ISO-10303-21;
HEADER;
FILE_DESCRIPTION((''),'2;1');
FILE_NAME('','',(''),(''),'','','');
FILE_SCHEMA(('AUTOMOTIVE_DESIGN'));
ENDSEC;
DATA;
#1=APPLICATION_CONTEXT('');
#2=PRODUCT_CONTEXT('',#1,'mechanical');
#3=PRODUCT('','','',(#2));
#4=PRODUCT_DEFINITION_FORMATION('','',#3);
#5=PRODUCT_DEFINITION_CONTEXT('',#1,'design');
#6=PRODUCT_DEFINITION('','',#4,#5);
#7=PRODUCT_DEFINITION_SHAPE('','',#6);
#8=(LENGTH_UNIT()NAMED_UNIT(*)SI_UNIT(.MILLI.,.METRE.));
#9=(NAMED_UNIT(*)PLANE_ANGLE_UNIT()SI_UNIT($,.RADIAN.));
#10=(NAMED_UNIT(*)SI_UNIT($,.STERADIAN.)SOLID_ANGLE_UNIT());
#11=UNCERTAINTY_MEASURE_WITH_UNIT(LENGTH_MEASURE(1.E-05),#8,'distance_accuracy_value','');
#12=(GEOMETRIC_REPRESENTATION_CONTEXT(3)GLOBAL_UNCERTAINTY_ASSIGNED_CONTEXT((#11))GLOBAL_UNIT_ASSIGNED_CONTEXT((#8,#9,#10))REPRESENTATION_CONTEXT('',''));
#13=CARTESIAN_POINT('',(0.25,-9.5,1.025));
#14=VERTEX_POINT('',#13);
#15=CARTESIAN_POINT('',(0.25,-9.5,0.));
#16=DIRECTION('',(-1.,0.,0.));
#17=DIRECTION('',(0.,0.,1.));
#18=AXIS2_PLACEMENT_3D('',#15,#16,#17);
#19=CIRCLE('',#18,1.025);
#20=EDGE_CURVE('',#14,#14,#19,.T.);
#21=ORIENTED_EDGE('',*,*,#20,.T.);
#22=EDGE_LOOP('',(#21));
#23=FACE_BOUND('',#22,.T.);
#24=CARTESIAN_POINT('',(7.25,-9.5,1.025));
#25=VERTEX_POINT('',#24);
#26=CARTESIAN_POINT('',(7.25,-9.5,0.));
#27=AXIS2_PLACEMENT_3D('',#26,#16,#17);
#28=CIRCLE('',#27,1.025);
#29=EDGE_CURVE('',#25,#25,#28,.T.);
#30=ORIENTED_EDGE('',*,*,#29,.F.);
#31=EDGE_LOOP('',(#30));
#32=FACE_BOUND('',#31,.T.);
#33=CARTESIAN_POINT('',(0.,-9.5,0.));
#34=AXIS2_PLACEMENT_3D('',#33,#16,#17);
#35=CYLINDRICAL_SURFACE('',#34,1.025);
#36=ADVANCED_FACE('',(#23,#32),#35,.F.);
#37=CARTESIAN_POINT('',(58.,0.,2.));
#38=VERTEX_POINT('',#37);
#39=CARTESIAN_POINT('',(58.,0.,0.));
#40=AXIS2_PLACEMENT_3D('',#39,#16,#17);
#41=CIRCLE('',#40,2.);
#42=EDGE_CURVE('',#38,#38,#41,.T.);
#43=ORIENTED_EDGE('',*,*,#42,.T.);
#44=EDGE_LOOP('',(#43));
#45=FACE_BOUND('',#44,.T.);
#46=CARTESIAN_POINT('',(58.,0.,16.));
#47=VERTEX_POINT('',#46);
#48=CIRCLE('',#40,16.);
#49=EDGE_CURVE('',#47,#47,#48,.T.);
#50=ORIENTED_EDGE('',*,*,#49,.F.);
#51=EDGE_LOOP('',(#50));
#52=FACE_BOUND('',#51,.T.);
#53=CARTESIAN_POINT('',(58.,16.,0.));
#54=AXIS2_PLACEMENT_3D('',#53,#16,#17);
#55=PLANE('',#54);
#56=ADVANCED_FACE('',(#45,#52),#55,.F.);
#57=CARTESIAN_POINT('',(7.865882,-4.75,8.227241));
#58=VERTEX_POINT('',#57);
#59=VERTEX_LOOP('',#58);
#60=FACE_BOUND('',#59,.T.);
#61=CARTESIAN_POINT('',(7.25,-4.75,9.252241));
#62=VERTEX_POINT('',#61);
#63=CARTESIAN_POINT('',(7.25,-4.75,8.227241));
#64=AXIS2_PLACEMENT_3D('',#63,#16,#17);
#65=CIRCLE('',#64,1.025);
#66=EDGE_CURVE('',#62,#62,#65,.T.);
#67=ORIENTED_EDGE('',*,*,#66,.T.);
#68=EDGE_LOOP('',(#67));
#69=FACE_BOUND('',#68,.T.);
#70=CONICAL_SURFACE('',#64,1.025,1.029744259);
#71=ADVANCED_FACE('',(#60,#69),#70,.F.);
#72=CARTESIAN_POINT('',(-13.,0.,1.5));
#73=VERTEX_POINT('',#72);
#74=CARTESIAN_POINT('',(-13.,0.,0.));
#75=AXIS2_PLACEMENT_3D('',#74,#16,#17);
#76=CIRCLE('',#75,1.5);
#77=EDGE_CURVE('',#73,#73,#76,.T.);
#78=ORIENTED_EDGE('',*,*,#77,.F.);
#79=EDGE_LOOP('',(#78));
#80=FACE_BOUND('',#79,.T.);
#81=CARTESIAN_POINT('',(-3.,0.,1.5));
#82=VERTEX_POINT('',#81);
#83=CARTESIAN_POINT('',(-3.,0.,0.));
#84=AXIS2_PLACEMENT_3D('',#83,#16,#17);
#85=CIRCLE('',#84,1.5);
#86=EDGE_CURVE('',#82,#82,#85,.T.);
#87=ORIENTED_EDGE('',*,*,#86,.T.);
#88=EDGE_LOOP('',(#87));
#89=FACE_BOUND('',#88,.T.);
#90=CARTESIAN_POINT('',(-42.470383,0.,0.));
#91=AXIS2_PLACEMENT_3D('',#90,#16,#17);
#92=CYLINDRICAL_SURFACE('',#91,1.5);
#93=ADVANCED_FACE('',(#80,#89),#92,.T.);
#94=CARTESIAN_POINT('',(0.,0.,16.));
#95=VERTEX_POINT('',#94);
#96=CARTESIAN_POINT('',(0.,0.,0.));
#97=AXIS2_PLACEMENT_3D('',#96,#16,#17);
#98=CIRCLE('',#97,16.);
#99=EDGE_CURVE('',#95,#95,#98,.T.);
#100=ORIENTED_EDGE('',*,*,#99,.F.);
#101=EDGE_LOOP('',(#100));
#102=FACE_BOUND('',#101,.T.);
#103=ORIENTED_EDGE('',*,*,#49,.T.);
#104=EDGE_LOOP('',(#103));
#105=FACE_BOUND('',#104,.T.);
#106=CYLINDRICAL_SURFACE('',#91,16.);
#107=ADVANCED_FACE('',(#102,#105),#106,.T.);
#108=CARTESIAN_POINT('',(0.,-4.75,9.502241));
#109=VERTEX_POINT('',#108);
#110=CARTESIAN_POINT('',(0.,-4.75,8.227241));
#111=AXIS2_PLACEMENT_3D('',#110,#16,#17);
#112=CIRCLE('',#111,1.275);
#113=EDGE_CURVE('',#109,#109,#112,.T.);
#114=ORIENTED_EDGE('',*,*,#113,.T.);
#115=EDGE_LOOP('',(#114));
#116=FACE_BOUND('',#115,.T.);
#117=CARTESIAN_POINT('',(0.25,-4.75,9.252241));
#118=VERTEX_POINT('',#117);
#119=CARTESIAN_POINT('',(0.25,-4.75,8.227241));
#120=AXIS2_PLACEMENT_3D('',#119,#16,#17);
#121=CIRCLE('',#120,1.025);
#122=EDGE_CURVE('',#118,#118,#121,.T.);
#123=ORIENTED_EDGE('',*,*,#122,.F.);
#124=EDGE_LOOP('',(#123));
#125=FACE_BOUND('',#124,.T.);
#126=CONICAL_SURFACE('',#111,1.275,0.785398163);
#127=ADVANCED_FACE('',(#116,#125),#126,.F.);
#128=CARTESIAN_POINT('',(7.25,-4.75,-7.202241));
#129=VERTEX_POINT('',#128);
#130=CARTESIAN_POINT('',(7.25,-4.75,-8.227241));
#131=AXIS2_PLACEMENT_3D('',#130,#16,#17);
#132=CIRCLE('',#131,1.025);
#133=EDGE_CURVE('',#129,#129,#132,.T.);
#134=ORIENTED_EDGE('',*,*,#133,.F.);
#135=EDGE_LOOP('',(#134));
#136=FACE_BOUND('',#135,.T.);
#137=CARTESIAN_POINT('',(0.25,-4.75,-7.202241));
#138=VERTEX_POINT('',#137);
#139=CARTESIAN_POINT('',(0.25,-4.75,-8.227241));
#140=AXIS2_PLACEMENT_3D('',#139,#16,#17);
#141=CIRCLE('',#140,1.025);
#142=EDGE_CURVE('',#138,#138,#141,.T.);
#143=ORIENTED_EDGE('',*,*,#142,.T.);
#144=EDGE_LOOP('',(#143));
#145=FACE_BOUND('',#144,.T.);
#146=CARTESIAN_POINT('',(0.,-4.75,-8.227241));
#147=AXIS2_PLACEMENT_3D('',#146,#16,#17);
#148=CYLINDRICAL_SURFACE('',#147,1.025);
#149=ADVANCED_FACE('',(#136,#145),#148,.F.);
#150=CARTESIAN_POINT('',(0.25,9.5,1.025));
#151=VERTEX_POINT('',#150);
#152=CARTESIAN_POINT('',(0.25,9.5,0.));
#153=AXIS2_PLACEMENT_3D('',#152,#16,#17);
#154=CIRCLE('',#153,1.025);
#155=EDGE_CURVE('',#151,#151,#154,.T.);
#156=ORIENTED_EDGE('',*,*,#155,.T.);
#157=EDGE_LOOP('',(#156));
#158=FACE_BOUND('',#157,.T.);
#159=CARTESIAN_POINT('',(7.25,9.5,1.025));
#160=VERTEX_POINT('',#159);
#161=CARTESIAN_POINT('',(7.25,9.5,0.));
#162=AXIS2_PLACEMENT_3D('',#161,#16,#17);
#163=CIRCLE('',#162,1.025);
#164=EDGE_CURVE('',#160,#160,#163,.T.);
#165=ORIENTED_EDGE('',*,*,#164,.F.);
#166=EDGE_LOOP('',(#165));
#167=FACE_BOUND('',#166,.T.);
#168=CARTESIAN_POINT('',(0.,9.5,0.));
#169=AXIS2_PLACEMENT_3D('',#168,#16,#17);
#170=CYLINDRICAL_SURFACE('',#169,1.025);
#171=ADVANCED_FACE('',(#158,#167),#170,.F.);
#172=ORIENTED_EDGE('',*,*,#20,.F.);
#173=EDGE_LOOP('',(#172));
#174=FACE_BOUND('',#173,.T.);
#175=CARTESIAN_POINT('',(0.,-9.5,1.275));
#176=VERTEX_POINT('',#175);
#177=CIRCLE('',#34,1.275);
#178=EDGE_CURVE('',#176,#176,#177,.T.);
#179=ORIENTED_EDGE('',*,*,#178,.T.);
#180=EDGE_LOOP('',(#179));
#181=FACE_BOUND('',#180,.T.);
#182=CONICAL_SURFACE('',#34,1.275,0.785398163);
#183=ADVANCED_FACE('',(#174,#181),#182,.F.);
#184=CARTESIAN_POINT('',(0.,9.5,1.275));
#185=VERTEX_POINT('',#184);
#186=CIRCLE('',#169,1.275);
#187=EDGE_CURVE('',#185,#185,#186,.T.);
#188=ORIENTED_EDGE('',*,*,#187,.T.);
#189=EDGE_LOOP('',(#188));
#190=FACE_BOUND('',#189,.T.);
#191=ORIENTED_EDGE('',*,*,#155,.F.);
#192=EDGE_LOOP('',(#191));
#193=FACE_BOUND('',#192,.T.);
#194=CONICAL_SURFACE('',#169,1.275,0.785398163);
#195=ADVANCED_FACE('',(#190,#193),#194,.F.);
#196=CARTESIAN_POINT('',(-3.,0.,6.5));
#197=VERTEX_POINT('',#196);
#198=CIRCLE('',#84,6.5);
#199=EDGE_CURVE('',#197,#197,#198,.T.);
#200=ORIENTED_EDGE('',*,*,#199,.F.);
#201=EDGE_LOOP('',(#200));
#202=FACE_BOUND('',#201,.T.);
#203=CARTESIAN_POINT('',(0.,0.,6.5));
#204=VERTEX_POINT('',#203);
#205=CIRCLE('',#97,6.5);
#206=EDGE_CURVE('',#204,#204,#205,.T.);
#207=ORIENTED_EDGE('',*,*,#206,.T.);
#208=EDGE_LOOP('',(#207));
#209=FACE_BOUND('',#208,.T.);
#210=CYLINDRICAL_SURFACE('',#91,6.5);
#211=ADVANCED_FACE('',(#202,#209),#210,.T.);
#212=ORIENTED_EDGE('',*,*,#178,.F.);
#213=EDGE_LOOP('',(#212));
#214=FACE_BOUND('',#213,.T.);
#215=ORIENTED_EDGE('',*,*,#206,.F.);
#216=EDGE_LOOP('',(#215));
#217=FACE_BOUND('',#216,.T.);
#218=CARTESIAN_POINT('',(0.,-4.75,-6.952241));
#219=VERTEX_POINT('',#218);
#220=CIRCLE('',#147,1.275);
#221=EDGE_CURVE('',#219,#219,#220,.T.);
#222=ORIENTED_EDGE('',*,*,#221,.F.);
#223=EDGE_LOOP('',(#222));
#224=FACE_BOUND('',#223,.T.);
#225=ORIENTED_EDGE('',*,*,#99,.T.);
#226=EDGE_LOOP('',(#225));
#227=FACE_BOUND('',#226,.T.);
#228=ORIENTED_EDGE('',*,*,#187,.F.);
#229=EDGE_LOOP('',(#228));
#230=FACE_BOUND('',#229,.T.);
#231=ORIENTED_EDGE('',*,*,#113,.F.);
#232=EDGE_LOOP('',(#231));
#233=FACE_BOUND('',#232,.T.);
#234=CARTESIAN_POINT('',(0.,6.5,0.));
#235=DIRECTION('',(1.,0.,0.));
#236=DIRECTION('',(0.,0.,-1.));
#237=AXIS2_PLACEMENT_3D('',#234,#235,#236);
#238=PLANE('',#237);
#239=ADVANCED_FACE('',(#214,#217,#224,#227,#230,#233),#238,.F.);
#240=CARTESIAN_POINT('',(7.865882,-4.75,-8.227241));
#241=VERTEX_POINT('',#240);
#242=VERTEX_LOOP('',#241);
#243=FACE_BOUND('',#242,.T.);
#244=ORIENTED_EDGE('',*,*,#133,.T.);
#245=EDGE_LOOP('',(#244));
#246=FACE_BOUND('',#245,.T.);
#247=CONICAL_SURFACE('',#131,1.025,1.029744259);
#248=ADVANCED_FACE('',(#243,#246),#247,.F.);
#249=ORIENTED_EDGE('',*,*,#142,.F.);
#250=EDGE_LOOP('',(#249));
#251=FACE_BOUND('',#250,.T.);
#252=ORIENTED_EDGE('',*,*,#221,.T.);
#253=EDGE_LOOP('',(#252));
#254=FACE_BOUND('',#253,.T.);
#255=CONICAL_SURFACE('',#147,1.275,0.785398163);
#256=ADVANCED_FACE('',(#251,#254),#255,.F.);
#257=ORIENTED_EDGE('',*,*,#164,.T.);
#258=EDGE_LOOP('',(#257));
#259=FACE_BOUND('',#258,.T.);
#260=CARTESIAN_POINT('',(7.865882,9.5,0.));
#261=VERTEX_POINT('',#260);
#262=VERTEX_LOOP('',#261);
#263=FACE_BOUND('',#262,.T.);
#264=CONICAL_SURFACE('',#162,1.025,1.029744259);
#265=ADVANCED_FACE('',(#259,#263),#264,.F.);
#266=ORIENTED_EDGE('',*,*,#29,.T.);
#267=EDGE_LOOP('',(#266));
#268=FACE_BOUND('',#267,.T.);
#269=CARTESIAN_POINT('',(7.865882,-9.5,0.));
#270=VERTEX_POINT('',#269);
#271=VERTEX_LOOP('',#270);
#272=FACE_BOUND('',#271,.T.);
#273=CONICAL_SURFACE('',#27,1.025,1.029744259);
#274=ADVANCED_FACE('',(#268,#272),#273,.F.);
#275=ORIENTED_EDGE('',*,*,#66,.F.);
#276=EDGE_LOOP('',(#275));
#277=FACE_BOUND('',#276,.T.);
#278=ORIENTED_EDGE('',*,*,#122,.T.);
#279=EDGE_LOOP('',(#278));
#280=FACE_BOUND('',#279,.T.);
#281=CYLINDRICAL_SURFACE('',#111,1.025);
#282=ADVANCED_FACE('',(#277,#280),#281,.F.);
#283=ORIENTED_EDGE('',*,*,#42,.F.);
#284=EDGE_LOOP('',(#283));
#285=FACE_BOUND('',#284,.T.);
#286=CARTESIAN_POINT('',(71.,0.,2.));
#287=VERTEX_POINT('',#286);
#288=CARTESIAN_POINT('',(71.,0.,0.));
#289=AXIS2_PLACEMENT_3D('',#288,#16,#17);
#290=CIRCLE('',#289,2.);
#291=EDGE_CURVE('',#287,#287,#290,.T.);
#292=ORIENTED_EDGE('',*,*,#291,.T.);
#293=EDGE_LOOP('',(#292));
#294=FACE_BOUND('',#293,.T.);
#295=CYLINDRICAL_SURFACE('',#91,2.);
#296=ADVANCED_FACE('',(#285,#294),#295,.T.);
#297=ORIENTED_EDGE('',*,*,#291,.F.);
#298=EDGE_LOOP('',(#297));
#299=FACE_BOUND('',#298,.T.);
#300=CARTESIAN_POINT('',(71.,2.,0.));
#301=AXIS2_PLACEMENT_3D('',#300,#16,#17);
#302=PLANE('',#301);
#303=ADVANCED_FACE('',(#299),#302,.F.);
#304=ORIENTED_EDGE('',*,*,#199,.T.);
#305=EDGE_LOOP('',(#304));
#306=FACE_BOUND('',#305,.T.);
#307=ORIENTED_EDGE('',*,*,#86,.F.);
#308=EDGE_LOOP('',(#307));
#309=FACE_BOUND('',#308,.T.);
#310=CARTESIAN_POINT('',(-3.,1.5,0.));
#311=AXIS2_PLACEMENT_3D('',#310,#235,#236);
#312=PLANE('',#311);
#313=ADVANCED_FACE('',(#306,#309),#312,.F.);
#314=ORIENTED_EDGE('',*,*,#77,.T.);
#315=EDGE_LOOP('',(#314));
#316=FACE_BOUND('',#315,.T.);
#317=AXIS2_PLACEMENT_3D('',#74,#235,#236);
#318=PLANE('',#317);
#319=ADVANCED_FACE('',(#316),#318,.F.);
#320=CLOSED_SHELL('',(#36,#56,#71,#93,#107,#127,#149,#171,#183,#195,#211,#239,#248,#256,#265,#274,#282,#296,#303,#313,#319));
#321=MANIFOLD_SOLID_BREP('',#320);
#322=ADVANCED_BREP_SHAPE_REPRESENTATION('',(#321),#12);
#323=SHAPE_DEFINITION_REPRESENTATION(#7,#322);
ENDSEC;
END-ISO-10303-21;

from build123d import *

# Parameters (mm, degrees)
TROU_TARAUD_M2_5X0_451_D           = 2.05
TROU_TARAUD_M2_5X0_451_DEPTH       = 7.25
TROU_TARAUD_M2_5X0_451_CSINK_D     = 2.55
TROU_TARAUD_M2_5X0_451_CSINK_ANGLE = 90
TROU_TARAUD_M2_5X0_451_TIP         = 0.615882135


with BuildPart() as part:
    # Esquisse1 → Révolution1 (revolve)
    with BuildSketch(Plane.XY):
        Polygon((0, 16), (58, 16), (58, 2), (71, 2), (71, 0), (-13, 0), (-13, 1.5), (-3, 1.5), (-3, 6.5), (0, 6.5), align=None)
    revolve(axis=Axis((-42.470383275, 0, 0), (1, 0, 0)))

    # Trou taraudé M2.5x0.451
    with Locations(Plane.ZY):
        with Locations((0, 9.5), (-8.227241336, -4.75), (8.227241336, -4.75), (0, -9.5)):
            CounterSinkHole(TROU_TARAUD_M2_5X0_451_D / 2, TROU_TARAUD_M2_5X0_451_CSINK_D / 2, depth=TROU_TARAUD_M2_5X0_451_DEPTH, counter_sink_angle=TROU_TARAUD_M2_5X0_451_CSINK_ANGLE)
            with Locations((0, 0, -(TROU_TARAUD_M2_5X0_451_DEPTH + TROU_TARAUD_M2_5X0_451_TIP / 2))):  # 118° drill point
                Cone(0, TROU_TARAUD_M2_5X0_451_D / 2, TROU_TARAUD_M2_5X0_451_TIP, mode=Mode.SUBTRACT)


solid = part.part
